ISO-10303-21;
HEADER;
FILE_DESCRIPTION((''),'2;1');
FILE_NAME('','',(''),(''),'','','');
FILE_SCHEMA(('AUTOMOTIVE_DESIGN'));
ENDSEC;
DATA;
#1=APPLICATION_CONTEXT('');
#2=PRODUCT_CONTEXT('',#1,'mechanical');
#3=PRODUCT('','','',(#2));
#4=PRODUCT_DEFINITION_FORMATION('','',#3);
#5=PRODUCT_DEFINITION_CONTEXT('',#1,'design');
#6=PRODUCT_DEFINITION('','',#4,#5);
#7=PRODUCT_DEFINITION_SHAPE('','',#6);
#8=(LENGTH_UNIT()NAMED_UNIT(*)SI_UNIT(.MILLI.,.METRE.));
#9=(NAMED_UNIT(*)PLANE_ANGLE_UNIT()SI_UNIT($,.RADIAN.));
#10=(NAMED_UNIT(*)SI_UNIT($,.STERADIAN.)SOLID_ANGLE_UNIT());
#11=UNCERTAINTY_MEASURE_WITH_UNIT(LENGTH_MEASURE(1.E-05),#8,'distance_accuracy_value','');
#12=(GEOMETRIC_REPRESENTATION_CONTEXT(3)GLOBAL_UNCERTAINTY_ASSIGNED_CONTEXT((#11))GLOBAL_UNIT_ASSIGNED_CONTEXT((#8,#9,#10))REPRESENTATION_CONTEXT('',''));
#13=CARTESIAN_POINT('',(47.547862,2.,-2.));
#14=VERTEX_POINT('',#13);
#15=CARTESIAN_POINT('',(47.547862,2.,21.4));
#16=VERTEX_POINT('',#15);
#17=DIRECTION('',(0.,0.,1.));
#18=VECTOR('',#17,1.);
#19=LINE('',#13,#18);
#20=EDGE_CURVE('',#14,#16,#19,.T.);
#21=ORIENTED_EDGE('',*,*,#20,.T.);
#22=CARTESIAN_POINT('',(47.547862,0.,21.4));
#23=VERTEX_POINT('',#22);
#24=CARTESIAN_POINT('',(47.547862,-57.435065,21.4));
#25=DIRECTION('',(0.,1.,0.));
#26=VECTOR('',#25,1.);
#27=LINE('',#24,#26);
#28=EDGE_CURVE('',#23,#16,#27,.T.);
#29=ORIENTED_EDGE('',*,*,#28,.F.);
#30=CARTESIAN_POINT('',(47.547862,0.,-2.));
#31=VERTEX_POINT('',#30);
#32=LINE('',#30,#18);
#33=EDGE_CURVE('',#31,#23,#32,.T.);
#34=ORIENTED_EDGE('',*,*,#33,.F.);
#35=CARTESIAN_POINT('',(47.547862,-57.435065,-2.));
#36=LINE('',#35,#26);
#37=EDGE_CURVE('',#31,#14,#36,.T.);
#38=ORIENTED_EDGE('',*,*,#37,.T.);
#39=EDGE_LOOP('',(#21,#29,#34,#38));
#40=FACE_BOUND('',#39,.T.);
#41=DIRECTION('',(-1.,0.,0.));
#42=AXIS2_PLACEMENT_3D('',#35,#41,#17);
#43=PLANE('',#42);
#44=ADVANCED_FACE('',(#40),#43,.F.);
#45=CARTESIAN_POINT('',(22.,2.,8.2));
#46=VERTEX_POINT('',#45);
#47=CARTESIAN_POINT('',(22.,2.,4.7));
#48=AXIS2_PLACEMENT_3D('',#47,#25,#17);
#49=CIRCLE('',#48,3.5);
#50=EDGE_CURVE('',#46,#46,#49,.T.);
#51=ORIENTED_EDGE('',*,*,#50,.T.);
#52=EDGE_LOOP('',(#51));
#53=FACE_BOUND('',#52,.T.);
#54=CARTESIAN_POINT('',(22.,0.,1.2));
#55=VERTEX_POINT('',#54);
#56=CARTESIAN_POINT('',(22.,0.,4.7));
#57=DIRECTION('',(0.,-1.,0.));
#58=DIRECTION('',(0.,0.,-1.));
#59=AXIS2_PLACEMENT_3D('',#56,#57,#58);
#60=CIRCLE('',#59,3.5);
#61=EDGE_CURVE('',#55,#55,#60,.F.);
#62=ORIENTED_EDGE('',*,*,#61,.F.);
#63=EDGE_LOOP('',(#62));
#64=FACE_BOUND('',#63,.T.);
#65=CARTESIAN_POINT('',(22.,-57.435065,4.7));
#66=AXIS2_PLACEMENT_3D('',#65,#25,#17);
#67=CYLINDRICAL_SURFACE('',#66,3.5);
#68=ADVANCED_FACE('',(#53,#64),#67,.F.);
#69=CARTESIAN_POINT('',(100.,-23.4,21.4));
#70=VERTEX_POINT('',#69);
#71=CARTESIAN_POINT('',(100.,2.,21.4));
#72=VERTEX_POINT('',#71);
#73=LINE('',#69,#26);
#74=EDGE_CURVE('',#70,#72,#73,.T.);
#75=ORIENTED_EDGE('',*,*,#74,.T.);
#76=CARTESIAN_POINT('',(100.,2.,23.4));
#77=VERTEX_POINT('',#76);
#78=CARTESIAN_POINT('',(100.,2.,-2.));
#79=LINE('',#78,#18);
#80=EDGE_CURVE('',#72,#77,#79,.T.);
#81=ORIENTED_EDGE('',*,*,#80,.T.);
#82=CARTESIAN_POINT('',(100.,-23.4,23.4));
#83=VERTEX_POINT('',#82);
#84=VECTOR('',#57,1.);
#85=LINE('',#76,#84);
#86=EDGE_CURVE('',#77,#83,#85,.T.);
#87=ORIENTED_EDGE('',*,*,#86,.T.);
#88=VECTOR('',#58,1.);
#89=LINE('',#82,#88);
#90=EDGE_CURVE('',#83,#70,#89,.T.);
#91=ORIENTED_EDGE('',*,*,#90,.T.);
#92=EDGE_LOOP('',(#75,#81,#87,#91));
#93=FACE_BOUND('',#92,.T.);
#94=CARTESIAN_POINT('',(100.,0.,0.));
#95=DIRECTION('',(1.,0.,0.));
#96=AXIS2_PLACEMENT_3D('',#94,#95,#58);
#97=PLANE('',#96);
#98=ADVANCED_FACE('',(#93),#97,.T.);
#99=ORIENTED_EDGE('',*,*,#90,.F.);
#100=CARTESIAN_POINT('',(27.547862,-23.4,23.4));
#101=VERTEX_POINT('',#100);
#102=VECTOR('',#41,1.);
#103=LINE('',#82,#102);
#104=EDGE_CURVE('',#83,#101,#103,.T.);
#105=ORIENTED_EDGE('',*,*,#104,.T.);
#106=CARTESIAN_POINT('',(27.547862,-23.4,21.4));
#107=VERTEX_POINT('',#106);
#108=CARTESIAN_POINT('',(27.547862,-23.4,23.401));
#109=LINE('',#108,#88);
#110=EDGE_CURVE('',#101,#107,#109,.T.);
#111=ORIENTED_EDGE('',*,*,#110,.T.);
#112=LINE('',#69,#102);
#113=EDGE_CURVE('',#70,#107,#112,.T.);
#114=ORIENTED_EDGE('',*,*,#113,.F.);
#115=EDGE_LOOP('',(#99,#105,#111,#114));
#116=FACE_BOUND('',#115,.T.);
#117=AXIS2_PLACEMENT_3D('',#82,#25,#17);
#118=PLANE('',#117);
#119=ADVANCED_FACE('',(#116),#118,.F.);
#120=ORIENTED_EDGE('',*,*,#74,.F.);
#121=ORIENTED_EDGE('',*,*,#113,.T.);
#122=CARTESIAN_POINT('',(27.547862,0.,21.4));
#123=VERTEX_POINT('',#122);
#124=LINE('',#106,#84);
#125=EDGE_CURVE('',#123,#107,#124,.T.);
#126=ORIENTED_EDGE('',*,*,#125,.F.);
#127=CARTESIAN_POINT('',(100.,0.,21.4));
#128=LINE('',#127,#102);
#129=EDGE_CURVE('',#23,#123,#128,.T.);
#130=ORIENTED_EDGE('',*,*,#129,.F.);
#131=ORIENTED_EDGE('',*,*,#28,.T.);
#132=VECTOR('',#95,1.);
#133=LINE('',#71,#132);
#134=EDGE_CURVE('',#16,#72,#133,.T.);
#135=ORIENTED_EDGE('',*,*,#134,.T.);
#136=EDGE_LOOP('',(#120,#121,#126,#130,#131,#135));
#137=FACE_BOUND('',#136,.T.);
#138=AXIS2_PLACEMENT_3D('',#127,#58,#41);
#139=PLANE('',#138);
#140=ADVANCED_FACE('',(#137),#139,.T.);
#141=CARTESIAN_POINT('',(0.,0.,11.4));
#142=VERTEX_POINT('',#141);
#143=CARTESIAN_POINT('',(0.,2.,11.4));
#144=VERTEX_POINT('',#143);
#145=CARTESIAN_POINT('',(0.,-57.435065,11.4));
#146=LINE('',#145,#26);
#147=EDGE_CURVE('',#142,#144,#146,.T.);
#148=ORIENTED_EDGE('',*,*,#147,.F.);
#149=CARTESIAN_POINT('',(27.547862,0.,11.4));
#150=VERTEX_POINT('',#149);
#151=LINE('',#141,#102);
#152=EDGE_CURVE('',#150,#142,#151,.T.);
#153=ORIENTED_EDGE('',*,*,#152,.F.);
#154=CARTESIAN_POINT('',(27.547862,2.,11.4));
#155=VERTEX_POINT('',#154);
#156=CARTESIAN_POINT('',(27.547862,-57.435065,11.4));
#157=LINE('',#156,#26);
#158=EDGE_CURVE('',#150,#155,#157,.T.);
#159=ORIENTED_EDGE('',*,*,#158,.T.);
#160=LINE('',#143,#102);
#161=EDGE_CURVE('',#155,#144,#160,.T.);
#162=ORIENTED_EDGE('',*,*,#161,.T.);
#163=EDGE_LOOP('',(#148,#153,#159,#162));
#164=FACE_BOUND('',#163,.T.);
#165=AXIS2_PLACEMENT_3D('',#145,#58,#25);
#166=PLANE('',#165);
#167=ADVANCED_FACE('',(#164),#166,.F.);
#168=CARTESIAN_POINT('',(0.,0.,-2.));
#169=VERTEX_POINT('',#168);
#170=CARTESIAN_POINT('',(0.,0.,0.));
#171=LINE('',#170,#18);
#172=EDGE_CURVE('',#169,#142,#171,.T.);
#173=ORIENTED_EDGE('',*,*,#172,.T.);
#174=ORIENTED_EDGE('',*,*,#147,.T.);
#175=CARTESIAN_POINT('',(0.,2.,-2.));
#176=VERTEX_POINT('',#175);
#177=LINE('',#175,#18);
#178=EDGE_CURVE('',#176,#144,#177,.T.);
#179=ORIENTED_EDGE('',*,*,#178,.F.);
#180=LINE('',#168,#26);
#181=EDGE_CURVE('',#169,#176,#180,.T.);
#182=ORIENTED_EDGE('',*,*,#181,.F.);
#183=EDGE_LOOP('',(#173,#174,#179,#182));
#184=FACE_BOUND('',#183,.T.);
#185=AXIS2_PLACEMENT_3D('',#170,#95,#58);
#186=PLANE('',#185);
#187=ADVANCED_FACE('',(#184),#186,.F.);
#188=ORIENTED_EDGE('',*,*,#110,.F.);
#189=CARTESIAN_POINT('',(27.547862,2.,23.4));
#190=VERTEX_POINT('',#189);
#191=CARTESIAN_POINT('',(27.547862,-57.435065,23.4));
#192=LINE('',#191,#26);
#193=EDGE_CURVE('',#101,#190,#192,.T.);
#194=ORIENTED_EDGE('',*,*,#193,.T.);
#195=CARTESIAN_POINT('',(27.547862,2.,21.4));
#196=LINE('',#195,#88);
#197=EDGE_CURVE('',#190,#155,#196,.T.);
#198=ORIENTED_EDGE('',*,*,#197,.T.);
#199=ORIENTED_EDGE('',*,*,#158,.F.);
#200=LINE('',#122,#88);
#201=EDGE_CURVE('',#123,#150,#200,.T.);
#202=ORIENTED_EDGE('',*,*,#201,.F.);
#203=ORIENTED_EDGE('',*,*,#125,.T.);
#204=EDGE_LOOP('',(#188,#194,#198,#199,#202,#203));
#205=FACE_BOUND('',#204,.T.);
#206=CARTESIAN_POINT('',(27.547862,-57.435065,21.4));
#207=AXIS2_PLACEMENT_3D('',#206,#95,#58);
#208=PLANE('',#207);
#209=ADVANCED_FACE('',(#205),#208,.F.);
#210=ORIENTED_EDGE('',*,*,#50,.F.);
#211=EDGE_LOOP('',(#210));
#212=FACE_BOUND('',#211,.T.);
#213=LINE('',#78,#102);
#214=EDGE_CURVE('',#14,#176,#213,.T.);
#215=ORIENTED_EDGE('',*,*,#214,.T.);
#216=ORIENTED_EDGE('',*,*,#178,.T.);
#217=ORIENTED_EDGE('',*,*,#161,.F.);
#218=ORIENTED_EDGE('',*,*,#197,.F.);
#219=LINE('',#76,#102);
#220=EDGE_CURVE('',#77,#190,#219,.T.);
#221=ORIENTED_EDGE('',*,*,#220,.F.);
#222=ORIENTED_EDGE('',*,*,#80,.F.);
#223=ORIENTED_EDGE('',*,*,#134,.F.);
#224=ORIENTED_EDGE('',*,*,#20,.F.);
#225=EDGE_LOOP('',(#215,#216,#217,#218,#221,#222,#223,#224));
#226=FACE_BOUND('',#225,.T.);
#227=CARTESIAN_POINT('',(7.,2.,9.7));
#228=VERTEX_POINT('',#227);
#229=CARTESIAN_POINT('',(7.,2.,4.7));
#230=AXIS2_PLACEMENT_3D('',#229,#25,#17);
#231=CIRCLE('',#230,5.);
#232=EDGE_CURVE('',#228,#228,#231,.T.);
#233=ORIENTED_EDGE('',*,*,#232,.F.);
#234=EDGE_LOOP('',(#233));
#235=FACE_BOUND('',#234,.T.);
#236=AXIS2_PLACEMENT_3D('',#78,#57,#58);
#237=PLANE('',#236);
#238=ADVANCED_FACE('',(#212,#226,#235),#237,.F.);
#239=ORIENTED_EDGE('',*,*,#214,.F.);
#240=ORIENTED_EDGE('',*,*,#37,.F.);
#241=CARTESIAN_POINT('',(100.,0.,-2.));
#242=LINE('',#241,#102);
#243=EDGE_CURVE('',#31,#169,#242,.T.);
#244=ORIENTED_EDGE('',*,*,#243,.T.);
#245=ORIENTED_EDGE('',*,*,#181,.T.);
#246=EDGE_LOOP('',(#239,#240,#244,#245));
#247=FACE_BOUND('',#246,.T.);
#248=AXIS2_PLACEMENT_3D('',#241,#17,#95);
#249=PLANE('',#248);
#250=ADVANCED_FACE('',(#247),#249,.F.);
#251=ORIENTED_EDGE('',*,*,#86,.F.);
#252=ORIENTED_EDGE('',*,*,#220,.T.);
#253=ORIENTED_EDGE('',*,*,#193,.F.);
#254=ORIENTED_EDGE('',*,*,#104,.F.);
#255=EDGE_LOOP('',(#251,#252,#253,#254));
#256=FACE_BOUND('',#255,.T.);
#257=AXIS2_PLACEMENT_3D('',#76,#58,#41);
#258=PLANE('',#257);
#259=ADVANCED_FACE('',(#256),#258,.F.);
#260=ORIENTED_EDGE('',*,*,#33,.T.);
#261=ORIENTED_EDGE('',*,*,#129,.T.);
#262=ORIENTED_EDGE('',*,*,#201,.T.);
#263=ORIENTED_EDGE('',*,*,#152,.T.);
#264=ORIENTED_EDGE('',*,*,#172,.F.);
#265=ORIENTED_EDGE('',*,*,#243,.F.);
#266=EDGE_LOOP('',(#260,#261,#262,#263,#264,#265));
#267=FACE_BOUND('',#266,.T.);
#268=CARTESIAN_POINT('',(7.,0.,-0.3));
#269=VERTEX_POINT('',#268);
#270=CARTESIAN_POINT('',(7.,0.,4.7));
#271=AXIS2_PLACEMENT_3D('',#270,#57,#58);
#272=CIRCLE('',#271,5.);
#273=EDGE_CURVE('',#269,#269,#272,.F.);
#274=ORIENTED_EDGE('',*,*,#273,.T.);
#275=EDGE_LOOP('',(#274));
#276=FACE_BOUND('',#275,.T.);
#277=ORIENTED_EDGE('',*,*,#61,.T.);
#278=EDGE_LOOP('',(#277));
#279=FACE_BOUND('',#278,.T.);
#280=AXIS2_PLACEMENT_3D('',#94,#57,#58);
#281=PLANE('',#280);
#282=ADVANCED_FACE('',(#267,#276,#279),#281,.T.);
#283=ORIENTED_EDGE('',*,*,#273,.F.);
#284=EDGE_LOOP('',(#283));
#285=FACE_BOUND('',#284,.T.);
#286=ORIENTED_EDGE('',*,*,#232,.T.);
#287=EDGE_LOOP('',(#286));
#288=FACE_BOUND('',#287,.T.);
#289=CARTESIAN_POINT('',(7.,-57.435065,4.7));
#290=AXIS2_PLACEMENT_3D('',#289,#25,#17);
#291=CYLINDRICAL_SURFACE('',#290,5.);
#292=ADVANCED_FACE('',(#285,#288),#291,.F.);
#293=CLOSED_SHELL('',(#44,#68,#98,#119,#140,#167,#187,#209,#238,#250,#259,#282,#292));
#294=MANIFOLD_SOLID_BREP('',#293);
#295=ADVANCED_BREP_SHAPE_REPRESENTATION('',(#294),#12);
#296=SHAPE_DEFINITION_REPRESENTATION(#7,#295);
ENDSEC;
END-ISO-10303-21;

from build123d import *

# Parameters (mm, degrees)
SALIENTE_EXTRUIR1_DEPTH = 100
CROQUIS3_R              = 5
CROQUIS3_R_2            = 3.5
CROQUIS3_W              = 52.452137676
CROQUIS3_H              = 23.4
CORTAR_EXTRUIR1_DEPTH   = 2
CORTAR_EXTRUIR2_REACH   = 107.333
CROQUIS4_W              = 27.547862324
CROQUIS4_H              = 23.4


with BuildPart() as part:
    # Croquis2 → Saliente-Extruir1 (new body)
    with BuildSketch(Plane(origin=(0, 0, 0), x_dir=(0, 0, -1), z_dir=(1, 0, 0))):
        Polygon((0, 0), (-21.4, 0), (-21.4, -21.4), (-21.4, -23.4), (-23.4, -23.4), (-23.4, 2), (2, 2), (2, 0), align=None)
    extrude(amount=SALIENTE_EXTRUIR1_DEPTH)

    # Croquis3 → Cortar-Extruir1 (cut)
    with BuildSketch(Plane(origin=(0, 2, 0), x_dir=(1, 0, 0), z_dir=(0, 1, 0))):
        with Locations(Location((7, -4.7, 0), (0, 0, 270))):
            Circle(CROQUIS3_R)
        with Locations(Location((22, -4.7, 0), (0, 0, 270))):
            Circle(CROQUIS3_R_2)
        with Locations((73.773931162, -9.7)):
            Rectangle(CROQUIS3_W, CROQUIS3_H)
        Polygon((0, -21.4), (0, -11.4), (27.547862324, -11.4), (27.547862324, -21.4), (27.547862324, -23.4), (0, -23.4), align=None)
    extrude(amount=-CORTAR_EXTRUIR1_DEPTH, mode=Mode.SUBTRACT)

    # Croquis4 → Cortar-Extruir2 (cut, up to next)
    with BuildSketch(Plane(origin=(0, 0, 21.4), x_dir=(-1, 0, 0), z_dir=(0, 0, -1)), mode=Mode.PRIVATE) as cortar_extruir2_sk1:
        with Locations((-13.773931162, -11.7)):
            Rectangle(CROQUIS4_W, CROQUIS4_H)
    cortar_extruir2_tool1 = extrude(cortar_extruir2_sk1.sketch, amount=-CORTAR_EXTRUIR2_REACH, mode=Mode.PRIVATE) & part.part
    add(cortar_extruir2_tool1.solids().sort_by_distance((13.773931, -11.7, 21.4))[0], mode=Mode.SUBTRACT)


solid = part.part
